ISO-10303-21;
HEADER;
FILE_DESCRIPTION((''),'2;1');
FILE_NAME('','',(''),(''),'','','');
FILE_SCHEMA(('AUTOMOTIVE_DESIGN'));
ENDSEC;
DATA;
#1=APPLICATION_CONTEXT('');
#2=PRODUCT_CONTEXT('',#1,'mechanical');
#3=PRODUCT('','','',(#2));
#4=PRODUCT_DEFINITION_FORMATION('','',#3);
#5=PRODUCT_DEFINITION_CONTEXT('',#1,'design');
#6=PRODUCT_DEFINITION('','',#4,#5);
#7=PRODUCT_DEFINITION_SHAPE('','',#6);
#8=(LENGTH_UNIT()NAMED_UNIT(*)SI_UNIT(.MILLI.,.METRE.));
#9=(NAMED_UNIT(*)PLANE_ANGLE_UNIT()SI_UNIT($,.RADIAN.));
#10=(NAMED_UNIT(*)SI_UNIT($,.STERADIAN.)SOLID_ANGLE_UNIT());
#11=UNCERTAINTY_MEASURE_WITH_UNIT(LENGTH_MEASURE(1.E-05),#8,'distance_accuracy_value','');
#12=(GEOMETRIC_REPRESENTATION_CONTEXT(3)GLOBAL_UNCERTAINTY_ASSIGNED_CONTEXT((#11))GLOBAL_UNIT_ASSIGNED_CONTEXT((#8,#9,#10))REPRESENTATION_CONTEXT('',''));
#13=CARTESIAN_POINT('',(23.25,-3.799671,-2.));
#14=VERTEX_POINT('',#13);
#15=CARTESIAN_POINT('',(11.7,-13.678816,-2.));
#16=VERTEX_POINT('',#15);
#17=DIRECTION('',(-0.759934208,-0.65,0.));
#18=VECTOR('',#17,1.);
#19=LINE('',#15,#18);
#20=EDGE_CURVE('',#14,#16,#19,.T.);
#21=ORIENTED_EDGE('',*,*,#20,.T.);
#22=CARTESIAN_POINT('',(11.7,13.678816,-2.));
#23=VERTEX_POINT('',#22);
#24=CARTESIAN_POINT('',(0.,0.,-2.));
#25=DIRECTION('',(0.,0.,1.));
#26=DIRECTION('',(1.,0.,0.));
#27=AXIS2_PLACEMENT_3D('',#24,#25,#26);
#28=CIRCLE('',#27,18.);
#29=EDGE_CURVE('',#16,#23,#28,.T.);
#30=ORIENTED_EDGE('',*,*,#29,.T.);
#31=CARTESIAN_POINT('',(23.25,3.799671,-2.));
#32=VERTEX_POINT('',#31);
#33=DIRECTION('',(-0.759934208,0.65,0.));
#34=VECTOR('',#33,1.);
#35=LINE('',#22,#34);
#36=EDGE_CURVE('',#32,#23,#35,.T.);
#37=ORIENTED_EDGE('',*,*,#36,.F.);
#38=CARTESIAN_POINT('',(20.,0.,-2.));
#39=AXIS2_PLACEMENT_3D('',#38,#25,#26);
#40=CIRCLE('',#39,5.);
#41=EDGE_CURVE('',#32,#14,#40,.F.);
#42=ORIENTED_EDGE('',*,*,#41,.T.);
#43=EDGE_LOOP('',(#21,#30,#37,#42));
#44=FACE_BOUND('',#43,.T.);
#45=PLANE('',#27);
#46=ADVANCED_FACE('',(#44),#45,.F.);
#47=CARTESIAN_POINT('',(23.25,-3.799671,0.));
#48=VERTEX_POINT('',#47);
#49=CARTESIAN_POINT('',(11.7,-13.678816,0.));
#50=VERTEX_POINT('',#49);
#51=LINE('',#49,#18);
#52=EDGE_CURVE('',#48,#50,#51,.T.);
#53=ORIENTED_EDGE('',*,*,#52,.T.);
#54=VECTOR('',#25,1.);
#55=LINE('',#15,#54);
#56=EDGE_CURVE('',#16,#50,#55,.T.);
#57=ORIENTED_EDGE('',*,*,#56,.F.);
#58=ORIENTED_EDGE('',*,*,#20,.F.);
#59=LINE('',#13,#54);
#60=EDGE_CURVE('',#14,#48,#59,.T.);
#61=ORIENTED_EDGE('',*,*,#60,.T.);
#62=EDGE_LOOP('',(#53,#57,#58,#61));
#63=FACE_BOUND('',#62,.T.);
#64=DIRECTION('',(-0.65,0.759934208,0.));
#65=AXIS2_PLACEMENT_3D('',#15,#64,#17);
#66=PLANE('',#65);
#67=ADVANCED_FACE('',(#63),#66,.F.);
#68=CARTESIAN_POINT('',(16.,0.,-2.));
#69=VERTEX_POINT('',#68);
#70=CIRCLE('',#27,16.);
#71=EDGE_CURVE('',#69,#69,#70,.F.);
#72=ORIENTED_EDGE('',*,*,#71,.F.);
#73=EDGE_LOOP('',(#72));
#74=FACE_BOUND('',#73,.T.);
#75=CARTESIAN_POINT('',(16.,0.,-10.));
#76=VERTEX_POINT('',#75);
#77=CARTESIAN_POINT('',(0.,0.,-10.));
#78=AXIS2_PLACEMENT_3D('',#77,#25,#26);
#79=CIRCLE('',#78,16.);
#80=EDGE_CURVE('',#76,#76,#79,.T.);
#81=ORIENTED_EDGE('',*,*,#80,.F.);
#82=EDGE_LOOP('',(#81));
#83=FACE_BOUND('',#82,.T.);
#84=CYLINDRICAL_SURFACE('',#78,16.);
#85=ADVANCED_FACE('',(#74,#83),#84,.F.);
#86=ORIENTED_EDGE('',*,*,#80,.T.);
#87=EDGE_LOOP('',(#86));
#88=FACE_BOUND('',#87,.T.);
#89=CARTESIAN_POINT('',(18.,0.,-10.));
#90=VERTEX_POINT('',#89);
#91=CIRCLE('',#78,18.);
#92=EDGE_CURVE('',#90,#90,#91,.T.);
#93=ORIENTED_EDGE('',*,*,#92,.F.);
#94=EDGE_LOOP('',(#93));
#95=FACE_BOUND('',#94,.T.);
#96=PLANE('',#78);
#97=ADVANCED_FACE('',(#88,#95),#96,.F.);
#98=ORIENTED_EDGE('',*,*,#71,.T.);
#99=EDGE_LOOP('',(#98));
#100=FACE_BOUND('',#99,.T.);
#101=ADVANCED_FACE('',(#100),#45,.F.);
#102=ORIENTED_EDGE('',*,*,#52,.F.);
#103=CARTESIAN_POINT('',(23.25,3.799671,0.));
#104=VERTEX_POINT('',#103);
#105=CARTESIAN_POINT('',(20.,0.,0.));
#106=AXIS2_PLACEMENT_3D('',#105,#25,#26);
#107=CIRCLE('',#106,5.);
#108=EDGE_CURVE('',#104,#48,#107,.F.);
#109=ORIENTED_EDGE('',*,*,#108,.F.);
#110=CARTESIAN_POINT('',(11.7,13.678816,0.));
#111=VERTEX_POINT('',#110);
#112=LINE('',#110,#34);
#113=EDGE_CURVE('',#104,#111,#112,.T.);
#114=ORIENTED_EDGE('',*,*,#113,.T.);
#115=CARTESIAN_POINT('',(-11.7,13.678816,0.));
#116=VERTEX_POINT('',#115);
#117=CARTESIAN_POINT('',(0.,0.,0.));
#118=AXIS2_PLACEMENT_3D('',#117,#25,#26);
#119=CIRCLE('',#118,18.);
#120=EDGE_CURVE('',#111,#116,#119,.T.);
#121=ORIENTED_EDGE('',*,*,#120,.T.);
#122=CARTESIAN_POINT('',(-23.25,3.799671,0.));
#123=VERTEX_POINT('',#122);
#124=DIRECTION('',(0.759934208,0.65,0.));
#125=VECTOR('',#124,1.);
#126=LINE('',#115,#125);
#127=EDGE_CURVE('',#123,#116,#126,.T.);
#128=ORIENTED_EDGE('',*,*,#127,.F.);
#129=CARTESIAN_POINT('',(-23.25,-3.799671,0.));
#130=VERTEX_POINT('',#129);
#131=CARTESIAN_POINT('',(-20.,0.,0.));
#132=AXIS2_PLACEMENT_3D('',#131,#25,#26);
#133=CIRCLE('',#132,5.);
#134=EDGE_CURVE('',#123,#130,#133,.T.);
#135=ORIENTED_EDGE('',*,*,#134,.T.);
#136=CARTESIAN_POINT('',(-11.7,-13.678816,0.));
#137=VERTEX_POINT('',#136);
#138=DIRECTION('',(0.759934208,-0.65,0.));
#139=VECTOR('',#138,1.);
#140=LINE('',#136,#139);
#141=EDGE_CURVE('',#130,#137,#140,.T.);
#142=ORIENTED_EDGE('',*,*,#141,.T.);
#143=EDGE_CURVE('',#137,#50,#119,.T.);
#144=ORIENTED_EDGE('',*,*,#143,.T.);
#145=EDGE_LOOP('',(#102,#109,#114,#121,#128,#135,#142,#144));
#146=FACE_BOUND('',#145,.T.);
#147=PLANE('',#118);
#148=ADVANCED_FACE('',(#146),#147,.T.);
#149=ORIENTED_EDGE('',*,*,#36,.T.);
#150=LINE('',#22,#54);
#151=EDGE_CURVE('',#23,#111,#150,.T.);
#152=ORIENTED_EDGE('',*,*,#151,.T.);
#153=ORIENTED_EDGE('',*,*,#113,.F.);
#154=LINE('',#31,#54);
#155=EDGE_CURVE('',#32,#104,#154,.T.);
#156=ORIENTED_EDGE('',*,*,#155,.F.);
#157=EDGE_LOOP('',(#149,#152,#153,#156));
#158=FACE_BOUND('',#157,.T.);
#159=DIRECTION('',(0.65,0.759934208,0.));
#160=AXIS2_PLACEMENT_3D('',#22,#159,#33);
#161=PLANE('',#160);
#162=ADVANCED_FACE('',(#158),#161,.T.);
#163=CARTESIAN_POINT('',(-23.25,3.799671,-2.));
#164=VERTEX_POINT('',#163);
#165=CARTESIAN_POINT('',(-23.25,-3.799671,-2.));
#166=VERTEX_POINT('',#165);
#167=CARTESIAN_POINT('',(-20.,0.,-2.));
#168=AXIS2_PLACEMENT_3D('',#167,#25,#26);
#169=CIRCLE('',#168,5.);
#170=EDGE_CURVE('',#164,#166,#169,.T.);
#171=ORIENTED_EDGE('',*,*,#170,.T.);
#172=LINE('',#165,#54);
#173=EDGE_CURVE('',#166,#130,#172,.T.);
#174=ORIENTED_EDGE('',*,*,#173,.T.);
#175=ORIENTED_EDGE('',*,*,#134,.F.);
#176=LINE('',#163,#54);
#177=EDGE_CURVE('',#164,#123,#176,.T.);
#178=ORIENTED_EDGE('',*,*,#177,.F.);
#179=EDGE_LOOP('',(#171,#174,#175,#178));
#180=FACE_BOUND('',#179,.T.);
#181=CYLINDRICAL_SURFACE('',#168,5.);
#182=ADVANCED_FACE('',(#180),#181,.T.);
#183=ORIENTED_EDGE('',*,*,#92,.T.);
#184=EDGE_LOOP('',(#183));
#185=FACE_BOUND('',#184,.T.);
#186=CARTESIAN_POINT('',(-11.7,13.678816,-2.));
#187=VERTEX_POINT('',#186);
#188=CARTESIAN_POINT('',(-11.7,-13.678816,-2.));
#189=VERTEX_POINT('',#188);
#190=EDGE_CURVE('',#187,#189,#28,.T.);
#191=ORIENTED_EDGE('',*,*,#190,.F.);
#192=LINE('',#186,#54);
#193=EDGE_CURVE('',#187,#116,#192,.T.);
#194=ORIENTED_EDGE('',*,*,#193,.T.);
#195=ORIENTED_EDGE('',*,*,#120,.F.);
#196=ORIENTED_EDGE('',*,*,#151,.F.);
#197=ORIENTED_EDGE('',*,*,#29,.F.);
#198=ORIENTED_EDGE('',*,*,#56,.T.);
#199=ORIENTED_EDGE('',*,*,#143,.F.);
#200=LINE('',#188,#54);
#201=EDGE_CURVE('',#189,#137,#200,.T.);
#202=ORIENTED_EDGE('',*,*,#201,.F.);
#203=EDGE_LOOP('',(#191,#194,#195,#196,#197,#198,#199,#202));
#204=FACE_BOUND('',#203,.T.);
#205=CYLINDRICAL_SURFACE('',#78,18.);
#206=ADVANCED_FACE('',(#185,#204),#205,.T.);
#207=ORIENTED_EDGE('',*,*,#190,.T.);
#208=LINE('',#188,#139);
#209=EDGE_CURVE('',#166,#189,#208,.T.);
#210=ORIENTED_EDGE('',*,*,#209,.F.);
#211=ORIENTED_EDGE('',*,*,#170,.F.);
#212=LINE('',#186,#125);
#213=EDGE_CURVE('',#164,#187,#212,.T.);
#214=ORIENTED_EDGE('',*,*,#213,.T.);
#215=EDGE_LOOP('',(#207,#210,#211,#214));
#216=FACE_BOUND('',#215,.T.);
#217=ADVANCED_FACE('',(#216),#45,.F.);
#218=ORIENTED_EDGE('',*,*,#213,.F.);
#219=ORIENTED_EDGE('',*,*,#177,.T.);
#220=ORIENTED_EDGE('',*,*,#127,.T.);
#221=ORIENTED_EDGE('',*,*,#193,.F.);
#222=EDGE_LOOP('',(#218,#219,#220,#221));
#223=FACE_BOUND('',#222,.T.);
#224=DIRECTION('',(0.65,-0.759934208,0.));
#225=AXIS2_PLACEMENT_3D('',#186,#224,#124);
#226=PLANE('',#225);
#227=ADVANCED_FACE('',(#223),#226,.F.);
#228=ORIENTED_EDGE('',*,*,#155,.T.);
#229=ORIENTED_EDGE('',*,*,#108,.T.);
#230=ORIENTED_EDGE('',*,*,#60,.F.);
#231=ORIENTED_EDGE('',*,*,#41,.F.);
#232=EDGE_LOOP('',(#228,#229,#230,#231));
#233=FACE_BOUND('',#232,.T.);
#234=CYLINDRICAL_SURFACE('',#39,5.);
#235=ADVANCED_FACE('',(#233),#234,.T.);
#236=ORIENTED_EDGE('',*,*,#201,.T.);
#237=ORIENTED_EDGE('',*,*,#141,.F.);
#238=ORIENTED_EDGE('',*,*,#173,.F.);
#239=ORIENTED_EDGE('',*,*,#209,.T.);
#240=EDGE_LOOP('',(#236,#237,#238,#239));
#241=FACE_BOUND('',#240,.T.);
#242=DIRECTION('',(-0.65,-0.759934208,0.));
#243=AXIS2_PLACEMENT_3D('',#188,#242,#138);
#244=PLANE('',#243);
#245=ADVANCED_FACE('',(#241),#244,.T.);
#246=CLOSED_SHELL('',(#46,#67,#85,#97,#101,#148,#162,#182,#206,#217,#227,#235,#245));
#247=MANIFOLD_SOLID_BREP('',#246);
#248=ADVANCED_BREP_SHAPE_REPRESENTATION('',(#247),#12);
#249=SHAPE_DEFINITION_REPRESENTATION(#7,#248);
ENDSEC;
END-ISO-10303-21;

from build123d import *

# Parameters (mm, degrees)
BOSS_EXTRUDE1_DEPTH   = 2
BOSS_EXTRUDE1_2_DEPTH = 2
SKETCH1_3_R           = 18
SKETCH1_3_R_2         = 16
BOSS_EXTRUDE2_DEPTH   = 10
SKETCH1_4_R           = 16
BOSS_EXTRUDE3_DEPTH   = 2


with BuildPart() as part:
    # Sketch1 → Boss-Extrude1 (new body)
    with BuildSketch(Plane(origin=(0, 0, 0), x_dir=(0, 1, 0), z_dir=(0, 0, 1))):
        with BuildLine():
            ThreePointArc((3.799671038, 23.25), (0, 25), (-3.799671038, 23.25))
            Line((-3.799671038, 23.25), (-13.678815738, 11.7))
            ThreePointArc((-13.678815738, 11.7), (0, 18), (13.678815738, 11.7))
            Line((13.678815738, 11.7), (3.799671038, 23.25))
        make_face()
    extrude(amount=-BOSS_EXTRUDE1_DEPTH)



with BuildPart() as body_2:
    # Sketch1 → Boss-Extrude1 2 (new body)
    with BuildSketch(Plane(origin=(0, 0, 0), x_dir=(0, 1, 0), z_dir=(0, 0, 1))):
        with BuildLine():
            ThreePointArc((13.678815738, -11.7), (0, -18), (-13.678815738, -11.7))
            Line((-13.678815738, -11.7), (-3.799671038, -23.25))
            ThreePointArc((-3.799671038, -23.25), (0, -25), (3.799671038, -23.25))
            Line((3.799671038, -23.25), (13.678815738, -11.7))
        make_face()
    extrude(amount=-BOSS_EXTRUDE1_2_DEPTH)


with BuildPart() as part_1:
    add(part.part)

    add(body_2.part)  # Boss-Extrude2 merges body 2
    # Sketch1<3> → Boss-Extrude2 (add)
    with BuildSketch(Plane(origin=(0, 0, 0), x_dir=(0, 1, 0), z_dir=(0, 0, 1))):
        Circle(SKETCH1_3_R)
        Circle(SKETCH1_3_R_2, mode=Mode.SUBTRACT)
    extrude(amount=-BOSS_EXTRUDE2_DEPTH)

    # Sketch1<4> → Boss-Extrude3 (add)
    with BuildSketch(Plane(origin=(0, 0, 0), x_dir=(0, 1, 0), z_dir=(0, 0, 1))):
        Circle(SKETCH1_4_R)
    extrude(amount=-BOSS_EXTRUDE3_DEPTH)


solid = part_1.part
